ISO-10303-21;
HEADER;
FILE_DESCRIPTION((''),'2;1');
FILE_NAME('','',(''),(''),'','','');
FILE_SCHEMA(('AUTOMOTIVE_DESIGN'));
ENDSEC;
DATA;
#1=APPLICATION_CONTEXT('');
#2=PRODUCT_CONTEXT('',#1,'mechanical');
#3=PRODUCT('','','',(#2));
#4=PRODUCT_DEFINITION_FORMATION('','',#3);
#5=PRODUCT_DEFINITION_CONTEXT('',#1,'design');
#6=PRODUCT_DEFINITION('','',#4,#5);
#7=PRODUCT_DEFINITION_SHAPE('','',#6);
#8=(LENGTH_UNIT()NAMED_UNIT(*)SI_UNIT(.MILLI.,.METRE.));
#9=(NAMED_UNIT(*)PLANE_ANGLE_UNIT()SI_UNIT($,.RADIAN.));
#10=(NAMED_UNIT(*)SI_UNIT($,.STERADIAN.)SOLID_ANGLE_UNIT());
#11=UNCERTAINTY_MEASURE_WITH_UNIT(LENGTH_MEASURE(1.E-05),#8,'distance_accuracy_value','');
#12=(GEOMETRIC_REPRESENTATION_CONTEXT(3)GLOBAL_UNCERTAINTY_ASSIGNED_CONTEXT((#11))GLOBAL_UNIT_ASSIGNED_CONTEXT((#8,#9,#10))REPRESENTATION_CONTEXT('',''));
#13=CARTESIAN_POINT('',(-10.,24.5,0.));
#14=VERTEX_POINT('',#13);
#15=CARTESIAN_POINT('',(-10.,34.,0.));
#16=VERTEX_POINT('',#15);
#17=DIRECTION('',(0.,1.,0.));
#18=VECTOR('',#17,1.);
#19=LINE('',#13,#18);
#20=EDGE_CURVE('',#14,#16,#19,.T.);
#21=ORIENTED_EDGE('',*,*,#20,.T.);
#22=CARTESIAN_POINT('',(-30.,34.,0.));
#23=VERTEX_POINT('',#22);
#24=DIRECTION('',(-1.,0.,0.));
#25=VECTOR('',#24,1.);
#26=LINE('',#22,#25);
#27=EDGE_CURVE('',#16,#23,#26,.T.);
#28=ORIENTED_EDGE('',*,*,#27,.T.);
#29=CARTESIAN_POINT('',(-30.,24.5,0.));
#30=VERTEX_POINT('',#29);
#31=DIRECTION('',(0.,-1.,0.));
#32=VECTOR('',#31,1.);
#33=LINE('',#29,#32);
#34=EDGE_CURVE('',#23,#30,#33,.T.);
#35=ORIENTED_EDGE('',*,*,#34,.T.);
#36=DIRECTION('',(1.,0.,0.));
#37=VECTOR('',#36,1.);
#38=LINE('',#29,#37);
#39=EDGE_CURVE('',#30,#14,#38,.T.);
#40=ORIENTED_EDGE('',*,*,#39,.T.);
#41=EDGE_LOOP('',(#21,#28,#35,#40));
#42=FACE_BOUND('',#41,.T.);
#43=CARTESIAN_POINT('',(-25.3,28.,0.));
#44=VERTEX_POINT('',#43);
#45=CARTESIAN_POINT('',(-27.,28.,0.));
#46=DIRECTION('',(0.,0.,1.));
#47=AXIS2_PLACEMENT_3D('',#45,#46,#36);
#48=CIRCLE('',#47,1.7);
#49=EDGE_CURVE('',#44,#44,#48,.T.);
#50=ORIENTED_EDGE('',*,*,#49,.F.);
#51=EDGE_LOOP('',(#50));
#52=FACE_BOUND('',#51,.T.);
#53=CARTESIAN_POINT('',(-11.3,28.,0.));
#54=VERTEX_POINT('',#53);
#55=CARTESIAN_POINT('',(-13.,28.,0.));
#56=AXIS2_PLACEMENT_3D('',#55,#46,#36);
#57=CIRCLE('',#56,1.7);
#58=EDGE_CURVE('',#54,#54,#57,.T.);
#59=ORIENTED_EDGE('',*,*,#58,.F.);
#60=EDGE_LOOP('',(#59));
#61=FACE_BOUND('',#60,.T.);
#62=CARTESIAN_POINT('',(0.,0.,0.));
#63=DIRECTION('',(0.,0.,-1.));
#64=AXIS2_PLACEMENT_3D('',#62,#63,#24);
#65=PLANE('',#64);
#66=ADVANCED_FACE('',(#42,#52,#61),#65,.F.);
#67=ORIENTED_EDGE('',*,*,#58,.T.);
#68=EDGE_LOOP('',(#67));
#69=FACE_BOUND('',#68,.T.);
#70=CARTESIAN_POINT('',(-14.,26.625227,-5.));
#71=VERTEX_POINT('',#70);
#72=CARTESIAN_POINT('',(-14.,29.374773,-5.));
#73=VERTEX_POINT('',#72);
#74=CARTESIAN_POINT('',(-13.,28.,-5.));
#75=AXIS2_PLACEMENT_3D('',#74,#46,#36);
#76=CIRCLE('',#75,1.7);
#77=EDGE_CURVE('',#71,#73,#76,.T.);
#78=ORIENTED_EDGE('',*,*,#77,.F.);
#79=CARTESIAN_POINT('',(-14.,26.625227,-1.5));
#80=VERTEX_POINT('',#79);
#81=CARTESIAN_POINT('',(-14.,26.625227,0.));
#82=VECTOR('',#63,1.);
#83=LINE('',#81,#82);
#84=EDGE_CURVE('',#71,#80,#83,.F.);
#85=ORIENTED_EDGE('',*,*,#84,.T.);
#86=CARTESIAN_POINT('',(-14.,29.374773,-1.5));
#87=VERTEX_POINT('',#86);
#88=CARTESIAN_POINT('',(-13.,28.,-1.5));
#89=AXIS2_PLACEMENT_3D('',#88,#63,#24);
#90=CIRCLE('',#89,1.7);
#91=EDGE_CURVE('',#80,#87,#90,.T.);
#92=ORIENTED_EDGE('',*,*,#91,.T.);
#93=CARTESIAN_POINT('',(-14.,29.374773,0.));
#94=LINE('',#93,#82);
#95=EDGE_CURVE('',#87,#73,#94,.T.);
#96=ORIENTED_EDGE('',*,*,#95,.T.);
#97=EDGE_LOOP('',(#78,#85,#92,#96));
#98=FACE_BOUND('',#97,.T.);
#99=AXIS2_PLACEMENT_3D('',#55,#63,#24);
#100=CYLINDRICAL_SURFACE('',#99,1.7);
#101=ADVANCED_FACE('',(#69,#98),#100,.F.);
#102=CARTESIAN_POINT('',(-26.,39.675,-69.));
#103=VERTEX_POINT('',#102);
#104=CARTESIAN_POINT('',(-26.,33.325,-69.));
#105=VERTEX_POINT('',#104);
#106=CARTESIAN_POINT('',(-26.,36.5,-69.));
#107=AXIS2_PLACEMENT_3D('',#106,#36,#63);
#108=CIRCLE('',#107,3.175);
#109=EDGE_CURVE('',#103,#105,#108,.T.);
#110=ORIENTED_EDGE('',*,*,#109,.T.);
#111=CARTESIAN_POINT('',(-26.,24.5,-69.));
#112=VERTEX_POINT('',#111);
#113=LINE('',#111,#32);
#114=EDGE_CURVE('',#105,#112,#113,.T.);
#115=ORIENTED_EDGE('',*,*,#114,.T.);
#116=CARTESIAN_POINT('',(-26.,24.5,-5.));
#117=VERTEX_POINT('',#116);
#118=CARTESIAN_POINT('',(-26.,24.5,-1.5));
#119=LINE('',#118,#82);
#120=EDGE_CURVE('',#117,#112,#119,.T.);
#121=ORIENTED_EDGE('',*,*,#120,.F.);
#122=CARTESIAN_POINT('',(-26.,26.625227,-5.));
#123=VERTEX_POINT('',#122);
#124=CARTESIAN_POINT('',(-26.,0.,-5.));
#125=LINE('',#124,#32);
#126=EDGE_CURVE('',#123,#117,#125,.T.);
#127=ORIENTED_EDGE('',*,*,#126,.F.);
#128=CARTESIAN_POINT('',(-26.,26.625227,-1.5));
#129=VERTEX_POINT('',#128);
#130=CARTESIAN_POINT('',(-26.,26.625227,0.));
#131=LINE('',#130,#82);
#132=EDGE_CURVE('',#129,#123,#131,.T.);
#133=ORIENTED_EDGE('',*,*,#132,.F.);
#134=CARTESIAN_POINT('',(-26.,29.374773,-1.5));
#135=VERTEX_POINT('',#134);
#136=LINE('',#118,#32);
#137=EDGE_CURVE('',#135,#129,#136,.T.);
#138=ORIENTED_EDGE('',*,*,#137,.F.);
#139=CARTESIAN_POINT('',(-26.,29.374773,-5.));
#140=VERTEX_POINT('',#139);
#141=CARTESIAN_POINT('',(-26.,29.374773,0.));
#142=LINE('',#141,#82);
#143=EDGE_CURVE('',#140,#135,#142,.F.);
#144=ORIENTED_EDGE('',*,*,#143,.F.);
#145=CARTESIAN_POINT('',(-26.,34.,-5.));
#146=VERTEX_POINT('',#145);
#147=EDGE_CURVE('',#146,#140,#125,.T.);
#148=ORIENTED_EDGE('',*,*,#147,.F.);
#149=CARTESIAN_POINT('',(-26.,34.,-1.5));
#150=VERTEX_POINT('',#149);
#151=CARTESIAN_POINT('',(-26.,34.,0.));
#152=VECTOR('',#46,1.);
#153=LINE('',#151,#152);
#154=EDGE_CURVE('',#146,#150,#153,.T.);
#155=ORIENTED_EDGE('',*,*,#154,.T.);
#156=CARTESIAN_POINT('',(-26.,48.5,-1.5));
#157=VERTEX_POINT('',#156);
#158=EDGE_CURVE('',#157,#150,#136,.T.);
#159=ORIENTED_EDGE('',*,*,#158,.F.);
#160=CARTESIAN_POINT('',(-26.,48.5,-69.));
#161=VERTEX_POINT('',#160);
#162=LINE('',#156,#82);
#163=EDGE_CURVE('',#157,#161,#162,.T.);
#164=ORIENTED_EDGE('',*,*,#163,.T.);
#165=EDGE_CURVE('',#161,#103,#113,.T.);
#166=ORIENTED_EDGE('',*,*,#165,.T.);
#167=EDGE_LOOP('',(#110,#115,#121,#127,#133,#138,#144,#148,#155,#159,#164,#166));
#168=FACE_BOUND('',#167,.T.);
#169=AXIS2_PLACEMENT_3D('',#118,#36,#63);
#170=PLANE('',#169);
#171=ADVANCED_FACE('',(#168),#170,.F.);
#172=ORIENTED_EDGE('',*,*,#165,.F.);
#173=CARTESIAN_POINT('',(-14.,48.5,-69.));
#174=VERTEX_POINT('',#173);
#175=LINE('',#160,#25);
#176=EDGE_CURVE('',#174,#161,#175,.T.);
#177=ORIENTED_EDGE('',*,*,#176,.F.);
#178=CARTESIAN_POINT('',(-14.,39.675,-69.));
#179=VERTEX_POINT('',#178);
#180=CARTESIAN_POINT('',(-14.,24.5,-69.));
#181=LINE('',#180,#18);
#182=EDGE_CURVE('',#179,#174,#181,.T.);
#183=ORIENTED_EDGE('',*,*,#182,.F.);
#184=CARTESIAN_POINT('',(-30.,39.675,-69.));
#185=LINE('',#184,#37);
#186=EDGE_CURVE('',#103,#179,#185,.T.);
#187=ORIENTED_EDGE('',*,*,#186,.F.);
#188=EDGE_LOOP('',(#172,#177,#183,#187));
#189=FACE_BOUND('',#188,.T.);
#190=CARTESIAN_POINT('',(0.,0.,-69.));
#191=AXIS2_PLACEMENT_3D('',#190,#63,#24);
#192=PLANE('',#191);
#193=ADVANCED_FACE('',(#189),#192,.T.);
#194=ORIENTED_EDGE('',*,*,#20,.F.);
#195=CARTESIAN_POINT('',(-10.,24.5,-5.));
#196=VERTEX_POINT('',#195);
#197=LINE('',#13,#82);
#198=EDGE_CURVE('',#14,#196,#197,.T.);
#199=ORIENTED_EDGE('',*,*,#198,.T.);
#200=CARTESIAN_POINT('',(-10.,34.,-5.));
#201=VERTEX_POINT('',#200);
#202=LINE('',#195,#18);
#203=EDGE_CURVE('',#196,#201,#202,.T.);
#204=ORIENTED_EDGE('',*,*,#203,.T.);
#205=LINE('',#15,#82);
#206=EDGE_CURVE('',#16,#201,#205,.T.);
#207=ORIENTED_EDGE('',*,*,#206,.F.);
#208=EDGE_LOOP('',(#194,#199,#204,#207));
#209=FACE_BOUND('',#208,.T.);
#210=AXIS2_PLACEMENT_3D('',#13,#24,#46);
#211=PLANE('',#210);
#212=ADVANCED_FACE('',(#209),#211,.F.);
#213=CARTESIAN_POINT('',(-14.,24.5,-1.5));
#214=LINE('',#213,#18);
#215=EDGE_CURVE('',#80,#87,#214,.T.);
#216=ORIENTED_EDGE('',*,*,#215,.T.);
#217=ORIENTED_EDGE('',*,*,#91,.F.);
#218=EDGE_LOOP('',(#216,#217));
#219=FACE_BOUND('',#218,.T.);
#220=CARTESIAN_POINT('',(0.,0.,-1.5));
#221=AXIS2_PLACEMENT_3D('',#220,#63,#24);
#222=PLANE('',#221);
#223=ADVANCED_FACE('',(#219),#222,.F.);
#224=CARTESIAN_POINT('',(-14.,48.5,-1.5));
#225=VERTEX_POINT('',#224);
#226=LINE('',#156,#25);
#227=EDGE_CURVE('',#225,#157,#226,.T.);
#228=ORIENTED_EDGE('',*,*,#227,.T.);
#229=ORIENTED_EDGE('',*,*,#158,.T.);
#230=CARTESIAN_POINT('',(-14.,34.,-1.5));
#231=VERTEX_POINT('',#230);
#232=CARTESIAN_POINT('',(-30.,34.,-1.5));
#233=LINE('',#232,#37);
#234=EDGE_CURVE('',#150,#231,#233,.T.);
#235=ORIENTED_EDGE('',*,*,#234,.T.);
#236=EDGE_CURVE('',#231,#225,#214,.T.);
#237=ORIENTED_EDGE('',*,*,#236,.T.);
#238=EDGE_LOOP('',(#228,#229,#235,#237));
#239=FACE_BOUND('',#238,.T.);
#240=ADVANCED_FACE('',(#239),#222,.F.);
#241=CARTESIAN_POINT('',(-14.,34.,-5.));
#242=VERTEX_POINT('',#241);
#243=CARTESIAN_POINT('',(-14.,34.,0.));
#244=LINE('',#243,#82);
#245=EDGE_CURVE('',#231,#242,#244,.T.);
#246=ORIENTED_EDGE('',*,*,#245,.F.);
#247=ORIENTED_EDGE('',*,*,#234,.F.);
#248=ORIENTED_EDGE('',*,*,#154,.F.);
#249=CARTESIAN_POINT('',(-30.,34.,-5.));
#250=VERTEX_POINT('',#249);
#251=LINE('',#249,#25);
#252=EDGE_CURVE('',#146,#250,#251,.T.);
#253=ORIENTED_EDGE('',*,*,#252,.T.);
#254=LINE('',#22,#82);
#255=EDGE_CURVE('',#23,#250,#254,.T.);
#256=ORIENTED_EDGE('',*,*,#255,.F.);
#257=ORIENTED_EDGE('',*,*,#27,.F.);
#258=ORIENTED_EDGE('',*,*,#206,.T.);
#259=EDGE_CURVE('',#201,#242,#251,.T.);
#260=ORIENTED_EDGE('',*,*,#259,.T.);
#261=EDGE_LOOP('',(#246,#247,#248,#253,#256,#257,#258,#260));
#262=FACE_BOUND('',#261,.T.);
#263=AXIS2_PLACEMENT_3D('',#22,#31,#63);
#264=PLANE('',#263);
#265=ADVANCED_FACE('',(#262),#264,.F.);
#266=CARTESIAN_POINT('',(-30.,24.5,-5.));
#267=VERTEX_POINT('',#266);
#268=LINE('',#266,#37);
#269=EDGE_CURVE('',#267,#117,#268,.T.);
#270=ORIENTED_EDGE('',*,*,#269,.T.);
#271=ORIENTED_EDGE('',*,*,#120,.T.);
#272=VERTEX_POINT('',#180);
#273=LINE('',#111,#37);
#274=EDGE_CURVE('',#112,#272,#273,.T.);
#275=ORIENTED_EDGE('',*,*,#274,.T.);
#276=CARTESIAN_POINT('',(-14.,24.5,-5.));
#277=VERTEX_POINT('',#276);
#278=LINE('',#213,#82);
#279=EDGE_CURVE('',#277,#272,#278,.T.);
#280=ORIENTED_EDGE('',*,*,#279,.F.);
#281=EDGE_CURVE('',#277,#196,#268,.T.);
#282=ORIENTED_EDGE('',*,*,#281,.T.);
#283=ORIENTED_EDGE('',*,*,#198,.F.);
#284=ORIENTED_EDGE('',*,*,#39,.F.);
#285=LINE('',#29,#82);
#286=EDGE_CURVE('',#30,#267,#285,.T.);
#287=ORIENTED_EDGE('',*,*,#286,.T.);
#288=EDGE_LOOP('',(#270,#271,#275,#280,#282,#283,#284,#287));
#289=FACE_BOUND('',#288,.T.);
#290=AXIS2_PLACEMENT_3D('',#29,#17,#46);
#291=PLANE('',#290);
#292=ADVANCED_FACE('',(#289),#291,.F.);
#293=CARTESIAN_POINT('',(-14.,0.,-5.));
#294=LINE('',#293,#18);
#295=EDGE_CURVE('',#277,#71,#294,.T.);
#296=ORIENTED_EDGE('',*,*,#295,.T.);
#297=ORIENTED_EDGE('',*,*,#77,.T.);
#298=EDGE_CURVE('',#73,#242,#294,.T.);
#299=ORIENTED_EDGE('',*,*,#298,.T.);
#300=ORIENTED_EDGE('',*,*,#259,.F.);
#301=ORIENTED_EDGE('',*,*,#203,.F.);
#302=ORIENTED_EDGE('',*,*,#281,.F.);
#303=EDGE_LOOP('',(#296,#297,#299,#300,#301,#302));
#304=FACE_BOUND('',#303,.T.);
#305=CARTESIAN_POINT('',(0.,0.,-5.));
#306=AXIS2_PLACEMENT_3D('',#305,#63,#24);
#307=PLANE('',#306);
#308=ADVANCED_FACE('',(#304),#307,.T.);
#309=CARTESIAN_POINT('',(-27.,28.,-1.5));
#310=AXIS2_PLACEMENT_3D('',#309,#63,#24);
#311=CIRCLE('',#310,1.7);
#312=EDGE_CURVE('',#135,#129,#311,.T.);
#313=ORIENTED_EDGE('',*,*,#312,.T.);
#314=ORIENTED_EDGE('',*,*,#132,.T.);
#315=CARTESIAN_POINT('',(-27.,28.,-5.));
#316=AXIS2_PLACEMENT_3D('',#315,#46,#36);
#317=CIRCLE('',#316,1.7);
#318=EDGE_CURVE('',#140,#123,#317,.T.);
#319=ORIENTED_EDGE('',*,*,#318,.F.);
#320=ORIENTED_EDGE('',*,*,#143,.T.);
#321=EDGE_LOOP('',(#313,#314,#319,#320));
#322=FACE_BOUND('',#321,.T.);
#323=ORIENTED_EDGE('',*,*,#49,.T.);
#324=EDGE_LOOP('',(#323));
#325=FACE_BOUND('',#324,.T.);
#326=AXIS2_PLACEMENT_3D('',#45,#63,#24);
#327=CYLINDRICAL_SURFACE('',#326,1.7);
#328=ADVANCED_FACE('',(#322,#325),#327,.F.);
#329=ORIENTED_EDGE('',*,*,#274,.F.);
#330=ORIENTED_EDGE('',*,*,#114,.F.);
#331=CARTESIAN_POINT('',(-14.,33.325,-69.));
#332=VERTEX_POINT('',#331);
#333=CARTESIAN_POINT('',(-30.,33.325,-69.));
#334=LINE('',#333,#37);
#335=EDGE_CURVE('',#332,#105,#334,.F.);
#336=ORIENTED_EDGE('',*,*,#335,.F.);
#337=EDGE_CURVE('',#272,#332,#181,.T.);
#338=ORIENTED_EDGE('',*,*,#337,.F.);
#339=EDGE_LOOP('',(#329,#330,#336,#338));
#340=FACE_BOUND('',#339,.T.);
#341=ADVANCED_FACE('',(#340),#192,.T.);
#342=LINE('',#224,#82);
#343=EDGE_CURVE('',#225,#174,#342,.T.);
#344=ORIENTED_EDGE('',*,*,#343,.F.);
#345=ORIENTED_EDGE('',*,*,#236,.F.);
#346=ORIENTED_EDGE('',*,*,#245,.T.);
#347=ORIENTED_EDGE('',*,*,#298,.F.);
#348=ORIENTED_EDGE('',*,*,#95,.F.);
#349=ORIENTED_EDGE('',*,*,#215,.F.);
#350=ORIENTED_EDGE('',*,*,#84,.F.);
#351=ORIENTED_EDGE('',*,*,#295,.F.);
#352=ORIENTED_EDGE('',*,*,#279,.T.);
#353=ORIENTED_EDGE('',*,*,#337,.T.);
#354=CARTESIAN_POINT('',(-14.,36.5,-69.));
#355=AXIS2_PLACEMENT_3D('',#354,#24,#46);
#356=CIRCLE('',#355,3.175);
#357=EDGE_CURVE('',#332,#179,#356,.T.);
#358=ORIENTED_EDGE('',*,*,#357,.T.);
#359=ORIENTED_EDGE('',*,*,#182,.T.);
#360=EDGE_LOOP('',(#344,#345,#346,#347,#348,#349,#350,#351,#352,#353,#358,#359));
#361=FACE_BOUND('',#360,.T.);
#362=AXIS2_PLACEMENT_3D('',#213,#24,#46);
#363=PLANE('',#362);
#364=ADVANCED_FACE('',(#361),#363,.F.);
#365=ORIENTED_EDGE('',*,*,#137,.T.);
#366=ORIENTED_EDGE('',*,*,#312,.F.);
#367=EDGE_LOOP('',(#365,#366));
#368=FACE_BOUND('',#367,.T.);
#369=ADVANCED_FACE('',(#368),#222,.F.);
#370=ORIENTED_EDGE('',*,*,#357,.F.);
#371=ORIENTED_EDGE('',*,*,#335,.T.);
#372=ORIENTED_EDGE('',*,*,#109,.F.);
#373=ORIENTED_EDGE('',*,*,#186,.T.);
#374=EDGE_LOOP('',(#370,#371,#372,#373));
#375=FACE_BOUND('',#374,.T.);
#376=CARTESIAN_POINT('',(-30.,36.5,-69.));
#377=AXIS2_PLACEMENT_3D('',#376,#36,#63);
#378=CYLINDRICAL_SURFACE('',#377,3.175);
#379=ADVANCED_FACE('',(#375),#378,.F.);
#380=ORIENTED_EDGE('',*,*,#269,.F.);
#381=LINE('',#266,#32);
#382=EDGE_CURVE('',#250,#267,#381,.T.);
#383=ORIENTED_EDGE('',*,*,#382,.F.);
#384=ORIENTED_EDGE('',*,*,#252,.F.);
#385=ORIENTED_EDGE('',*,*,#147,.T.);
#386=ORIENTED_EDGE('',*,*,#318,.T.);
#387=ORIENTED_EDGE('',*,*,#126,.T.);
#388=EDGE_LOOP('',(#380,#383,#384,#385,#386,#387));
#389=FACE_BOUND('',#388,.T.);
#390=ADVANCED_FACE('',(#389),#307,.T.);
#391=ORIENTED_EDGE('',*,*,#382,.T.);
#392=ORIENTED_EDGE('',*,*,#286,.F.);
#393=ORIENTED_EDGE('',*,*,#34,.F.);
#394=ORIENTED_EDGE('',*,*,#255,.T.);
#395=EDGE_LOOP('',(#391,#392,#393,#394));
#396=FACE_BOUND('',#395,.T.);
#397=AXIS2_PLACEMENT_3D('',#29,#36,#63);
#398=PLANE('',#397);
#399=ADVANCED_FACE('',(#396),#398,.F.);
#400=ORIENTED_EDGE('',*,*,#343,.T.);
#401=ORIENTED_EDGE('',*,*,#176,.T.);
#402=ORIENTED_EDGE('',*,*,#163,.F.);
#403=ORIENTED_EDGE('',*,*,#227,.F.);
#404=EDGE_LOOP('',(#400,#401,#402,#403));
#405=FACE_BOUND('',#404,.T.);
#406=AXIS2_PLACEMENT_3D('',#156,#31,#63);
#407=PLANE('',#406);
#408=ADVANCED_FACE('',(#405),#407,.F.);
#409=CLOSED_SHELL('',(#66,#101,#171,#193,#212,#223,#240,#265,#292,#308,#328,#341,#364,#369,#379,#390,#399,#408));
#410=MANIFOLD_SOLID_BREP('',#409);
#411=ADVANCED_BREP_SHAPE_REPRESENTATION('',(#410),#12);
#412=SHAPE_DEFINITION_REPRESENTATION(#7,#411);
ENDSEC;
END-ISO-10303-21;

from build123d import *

# Parameters (mm, degrees)
FIVE_MM_ATTACHMENT_FOOT_START                    = -5
SKETCH1_W                                        = 20
SKETCH1_H                                        = 9.5
SKETCH1_R                                        = 1.7
FIVE_MM_ATTACHMENT_FOOT_DEPTH                    = 5
DEEP_ACTUATOR_WEB_START                          = -69
SKETCH2_W                                        = 12
SKETCH2_H                                        = 24
DEEP_ACTUATOR_WEB_DEPTH                          = 67.5
QUARTER20_AXIAL_THREAD_MAJOR_ENVELOPE_DEPTH      = 90.516758208
QUARTER20_AXIAL_THREAD_MAJOR_ENVELOPE_DEPTH_BACK = 90.516758208
SKETCH3_R                                        = 3.175


with BuildPart() as part:
    # Sketch1 → Five_mm_Attachment_Foot (new body)
    with BuildSketch(Plane.XY.offset(FIVE_MM_ATTACHMENT_FOOT_START)):
        with Locations((-20, 29.25)):
            Rectangle(SKETCH1_W, SKETCH1_H)
        with Locations((-27, 28)):
            Circle(SKETCH1_R, mode=Mode.SUBTRACT)
        with Locations((-13, 28)):
            Circle(SKETCH1_R, mode=Mode.SUBTRACT)
    extrude(amount=FIVE_MM_ATTACHMENT_FOOT_DEPTH)

    # Sketch2 → Deep_Actuator_Web (add)
    with BuildSketch(Plane.XY.offset(DEEP_ACTUATOR_WEB_START)):
        with Locations((-20, 36.5)):
            Rectangle(SKETCH2_W, SKETCH2_H)
    extrude(amount=DEEP_ACTUATOR_WEB_DEPTH)

    # Sketch3 → Quarter20_Axial_Thread_Major_Envelope (cut, two sides: drawn at the far end of the back side and taken through both)
    with BuildSketch(Plane(origin=(0, 0, 0), x_dir=(0, 0, -1), z_dir=(1, 0, 0)).offset(-QUARTER20_AXIAL_THREAD_MAJOR_ENVELOPE_DEPTH_BACK)):
        with Locations((69, 36.5)):
            Circle(SKETCH3_R)
    extrude(amount=QUARTER20_AXIAL_THREAD_MAJOR_ENVELOPE_DEPTH + QUARTER20_AXIAL_THREAD_MAJOR_ENVELOPE_DEPTH_BACK, mode=Mode.SUBTRACT)


solid = part.part
